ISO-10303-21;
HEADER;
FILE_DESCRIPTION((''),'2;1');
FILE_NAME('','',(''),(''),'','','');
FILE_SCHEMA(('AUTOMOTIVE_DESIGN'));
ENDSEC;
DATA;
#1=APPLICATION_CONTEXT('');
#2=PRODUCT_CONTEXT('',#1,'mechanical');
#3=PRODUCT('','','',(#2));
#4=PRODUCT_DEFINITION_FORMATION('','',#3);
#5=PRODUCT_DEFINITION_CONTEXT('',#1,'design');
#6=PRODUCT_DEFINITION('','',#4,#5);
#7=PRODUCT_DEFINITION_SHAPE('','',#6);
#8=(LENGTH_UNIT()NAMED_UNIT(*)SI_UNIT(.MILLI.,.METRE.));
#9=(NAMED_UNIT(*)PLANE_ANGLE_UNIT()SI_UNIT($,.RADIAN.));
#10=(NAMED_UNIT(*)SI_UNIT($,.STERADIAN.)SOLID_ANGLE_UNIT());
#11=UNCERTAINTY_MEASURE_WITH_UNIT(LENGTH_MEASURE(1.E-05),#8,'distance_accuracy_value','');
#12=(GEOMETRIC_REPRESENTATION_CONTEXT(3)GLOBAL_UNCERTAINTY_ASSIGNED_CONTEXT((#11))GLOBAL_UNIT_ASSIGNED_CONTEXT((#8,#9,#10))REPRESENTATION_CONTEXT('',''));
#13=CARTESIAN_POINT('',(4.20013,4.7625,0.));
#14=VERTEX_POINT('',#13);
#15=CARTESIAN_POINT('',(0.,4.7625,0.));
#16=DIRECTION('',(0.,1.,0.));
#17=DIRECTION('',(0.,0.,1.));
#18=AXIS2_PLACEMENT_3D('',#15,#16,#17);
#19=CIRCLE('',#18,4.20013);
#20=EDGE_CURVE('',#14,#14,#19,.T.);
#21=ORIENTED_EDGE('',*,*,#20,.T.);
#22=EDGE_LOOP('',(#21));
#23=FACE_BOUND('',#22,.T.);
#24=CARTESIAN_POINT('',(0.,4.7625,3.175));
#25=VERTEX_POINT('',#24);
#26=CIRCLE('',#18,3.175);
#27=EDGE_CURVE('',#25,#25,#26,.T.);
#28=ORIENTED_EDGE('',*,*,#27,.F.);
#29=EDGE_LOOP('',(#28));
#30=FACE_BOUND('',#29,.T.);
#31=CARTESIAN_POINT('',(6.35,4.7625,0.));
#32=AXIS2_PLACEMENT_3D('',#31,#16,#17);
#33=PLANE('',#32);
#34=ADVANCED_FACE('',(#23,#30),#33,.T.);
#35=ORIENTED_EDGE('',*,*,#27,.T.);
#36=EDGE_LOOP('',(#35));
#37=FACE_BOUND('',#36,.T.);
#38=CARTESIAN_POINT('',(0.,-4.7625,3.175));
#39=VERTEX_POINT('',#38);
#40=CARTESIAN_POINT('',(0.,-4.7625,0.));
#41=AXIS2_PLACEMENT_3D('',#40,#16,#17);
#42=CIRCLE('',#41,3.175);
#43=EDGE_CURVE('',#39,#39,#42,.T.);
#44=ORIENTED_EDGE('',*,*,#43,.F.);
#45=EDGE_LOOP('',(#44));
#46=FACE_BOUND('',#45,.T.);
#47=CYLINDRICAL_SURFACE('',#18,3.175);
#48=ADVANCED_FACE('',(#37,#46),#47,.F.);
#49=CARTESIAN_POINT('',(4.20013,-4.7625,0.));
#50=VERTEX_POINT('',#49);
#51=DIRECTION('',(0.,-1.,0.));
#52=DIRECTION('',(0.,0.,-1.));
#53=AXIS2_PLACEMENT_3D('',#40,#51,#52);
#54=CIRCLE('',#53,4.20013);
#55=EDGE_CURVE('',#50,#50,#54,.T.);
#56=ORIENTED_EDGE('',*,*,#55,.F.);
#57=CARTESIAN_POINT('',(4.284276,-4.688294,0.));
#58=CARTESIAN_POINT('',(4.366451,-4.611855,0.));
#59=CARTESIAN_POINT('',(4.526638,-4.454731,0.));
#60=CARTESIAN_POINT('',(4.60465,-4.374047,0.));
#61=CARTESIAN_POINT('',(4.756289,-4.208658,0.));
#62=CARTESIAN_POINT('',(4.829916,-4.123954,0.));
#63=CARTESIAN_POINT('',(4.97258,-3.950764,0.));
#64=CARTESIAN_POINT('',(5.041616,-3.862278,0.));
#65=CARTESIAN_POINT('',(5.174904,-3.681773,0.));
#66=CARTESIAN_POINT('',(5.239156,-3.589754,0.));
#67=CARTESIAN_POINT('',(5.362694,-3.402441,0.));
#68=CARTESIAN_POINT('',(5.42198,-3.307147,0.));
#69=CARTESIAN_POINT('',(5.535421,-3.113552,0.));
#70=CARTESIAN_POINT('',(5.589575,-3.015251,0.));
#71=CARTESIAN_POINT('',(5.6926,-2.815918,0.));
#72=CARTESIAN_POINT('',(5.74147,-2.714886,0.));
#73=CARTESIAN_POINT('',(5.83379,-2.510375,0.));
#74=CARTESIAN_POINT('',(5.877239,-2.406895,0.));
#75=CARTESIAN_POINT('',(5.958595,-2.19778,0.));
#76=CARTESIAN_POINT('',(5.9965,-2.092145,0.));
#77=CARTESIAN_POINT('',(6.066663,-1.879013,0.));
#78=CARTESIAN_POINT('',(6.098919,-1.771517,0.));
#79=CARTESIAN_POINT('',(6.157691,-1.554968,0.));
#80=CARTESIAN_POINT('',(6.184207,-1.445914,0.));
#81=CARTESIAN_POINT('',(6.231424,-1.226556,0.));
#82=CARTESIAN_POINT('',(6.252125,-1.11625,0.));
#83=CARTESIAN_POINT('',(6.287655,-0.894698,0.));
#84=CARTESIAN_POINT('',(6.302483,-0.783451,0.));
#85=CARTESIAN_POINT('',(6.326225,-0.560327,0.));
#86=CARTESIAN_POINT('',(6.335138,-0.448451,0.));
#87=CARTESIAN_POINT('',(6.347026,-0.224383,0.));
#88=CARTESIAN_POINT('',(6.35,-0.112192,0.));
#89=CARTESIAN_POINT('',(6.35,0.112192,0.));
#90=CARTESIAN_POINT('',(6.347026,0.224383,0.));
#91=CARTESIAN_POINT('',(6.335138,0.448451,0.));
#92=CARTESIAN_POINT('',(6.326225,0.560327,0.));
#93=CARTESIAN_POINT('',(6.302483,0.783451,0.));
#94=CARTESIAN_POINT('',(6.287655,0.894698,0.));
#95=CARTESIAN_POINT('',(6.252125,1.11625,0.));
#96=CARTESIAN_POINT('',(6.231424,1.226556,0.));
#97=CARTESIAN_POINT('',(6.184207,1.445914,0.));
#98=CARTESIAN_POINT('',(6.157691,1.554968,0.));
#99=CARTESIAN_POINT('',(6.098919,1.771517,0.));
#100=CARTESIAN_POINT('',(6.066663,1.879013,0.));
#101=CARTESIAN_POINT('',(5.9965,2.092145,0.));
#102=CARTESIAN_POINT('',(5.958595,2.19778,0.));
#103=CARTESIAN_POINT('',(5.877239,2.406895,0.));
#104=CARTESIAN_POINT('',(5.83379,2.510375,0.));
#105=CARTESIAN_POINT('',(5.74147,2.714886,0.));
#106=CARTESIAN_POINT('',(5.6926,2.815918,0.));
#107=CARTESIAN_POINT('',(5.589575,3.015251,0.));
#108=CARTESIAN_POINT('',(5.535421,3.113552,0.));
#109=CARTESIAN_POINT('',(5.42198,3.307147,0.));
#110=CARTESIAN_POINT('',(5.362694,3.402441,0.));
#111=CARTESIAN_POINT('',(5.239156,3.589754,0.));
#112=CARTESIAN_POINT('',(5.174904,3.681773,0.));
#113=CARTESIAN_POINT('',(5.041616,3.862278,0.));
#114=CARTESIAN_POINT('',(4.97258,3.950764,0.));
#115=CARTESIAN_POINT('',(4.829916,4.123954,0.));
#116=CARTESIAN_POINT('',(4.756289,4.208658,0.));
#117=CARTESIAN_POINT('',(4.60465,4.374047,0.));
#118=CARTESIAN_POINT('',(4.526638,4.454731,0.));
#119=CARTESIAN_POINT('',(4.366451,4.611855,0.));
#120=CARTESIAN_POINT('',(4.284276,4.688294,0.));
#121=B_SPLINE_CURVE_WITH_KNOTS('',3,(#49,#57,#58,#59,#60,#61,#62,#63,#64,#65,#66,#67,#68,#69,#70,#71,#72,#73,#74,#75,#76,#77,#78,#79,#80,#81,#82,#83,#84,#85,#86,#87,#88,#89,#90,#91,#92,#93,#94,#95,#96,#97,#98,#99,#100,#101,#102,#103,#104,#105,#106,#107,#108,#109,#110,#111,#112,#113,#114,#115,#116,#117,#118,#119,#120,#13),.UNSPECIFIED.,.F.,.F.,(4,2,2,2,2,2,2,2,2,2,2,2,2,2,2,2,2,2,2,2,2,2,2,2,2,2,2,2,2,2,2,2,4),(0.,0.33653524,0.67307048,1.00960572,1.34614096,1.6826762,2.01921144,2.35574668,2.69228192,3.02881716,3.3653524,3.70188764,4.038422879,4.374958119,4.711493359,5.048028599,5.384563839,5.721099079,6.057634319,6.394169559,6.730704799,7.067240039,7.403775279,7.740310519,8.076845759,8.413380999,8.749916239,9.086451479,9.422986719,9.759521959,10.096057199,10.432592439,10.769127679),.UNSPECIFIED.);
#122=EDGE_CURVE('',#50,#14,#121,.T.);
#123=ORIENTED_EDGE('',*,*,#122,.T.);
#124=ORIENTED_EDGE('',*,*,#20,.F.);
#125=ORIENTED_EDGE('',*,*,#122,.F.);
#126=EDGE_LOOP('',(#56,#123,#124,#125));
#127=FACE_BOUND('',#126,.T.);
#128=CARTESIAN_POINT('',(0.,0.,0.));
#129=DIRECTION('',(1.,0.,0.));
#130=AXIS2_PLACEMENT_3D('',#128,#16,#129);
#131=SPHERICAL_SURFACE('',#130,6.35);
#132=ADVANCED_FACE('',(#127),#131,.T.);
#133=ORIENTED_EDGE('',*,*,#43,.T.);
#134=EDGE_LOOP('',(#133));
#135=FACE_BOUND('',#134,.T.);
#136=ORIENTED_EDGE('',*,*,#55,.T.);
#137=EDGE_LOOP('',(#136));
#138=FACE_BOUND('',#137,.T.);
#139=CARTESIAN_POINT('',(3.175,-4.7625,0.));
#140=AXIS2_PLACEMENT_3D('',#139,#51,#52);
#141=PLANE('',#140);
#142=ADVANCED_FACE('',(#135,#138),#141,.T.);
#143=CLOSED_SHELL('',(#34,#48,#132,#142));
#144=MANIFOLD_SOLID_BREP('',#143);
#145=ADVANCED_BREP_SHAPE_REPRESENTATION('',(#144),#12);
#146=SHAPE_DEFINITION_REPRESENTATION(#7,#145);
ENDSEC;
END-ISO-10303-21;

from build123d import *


with BuildPart() as part:
    # Sketch1 → Revolve3 (revolve)
    with BuildSketch(Plane.XY):
        with BuildLine():
            Line((0, 6.35), (0, -6.35))
            ThreePointArc((0, -6.35), (6.35, 0), (0, 6.35))
        make_face()
    revolve(axis=Axis((0, 6.35, 0), (0, -1, 0)))

    # Sketch2 → Cut-Revolve1 (revolve, cut)
    with BuildSketch(Plane.XY, mode=Mode.PRIVATE) as cut_revolve1_sk:
        Polygon((0, 6.35), (6.35, 6.35), (6.35, 4.7625), (3.175, 4.7625), (3.175, -4.7625), (6.35, -4.7625), (6.35, -6.35), (0, -6.35), align=None)
    revolve(cut_revolve1_sk.sketch.rotate(Axis((0, 4.7625, 0), (0, -1, 0)), 90), axis=Axis((0, 4.7625, 0), (0, -1, 0)), mode=Mode.SUBTRACT)


solid = part.part
